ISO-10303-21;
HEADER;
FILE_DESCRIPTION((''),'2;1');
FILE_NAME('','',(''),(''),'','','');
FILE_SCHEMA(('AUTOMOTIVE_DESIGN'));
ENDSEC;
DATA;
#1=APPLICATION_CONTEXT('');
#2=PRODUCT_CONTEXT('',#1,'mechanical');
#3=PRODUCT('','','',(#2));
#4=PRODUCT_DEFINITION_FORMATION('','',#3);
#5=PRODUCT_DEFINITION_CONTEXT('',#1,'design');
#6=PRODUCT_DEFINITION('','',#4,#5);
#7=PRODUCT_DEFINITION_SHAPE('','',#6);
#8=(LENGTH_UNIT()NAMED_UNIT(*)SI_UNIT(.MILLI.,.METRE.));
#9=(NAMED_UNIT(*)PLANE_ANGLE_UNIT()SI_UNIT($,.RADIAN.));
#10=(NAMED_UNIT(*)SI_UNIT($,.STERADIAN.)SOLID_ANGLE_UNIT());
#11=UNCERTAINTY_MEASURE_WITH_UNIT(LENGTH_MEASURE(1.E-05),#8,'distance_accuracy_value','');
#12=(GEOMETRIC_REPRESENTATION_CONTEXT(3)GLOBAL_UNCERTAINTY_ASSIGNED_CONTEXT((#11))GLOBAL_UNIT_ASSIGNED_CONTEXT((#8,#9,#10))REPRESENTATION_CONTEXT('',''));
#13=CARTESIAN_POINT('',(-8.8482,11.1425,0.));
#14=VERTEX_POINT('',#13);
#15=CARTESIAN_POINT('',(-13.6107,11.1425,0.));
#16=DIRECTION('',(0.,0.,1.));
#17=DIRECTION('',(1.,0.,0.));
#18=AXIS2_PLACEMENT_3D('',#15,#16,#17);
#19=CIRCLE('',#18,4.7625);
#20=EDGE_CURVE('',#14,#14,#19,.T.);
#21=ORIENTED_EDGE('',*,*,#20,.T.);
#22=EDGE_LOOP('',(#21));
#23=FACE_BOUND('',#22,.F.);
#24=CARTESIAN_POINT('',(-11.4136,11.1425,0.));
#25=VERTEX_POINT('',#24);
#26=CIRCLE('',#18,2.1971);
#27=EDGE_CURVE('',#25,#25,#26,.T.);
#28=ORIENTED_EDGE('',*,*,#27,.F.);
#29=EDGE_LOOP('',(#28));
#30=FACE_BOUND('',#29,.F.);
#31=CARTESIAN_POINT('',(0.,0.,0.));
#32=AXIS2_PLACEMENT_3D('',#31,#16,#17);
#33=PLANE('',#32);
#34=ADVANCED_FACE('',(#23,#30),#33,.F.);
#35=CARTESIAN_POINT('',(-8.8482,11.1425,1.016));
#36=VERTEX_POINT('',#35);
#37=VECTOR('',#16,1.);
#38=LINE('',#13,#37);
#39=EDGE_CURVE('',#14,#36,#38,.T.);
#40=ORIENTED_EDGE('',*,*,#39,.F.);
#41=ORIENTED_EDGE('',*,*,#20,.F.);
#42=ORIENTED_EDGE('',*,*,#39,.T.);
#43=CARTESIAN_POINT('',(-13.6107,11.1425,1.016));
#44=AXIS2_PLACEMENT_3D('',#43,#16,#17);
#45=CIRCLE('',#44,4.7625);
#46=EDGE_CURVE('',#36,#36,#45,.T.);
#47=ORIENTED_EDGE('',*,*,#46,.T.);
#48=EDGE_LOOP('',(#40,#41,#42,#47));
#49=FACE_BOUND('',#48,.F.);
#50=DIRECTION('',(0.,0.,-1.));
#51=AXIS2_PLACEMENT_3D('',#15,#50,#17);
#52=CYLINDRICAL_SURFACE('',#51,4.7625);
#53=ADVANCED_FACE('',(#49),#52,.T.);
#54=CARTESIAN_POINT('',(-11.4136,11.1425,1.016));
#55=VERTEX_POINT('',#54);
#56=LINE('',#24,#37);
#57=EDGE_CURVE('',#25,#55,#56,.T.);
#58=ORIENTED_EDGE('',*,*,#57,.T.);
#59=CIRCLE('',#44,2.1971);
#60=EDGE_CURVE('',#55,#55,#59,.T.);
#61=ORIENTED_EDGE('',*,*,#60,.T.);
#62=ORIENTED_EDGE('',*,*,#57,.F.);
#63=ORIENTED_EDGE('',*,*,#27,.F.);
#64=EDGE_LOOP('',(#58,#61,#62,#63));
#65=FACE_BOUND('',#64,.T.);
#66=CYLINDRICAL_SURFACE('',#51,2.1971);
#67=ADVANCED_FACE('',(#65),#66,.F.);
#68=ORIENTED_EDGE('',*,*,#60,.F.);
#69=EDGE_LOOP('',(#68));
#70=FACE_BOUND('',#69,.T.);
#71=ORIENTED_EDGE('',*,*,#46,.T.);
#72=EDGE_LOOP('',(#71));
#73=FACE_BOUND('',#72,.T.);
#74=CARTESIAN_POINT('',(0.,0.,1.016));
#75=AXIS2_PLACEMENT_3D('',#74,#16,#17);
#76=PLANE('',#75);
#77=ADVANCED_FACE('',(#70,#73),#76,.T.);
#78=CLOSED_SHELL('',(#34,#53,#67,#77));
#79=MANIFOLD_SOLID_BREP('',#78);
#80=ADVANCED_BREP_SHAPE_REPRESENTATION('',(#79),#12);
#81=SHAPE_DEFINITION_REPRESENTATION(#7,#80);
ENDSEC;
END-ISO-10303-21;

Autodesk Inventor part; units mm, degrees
ref_plane "YZ Plane" through (0, 0, 0) normal (1, 0, 0) x (0, 1, 0)
ref_plane "XZ Plane" through (0, 0, 0) normal (0, 1, 0) x (-1, 0, 0)
ref_plane "XY Plane" through (0, 0, 0) normal (0, 0, 1) x (1, 0, 0)
sketch "Sketch1" plane through (0, 0, 0) normal (0, 0, 1) x (1, 0, 0)
  circle A0 centre (-13.6107, 11.1425) radius 4.7625
  circle A1 centre (-13.6107, 11.1425) radius 2.1971
  dimension "d0" = 9.525
  dimension "d1" = 4.3942
extrude "Extrusion1" add sketch "Sketch1" along normal blind 1.016
properties part number "Plastic Washer"
